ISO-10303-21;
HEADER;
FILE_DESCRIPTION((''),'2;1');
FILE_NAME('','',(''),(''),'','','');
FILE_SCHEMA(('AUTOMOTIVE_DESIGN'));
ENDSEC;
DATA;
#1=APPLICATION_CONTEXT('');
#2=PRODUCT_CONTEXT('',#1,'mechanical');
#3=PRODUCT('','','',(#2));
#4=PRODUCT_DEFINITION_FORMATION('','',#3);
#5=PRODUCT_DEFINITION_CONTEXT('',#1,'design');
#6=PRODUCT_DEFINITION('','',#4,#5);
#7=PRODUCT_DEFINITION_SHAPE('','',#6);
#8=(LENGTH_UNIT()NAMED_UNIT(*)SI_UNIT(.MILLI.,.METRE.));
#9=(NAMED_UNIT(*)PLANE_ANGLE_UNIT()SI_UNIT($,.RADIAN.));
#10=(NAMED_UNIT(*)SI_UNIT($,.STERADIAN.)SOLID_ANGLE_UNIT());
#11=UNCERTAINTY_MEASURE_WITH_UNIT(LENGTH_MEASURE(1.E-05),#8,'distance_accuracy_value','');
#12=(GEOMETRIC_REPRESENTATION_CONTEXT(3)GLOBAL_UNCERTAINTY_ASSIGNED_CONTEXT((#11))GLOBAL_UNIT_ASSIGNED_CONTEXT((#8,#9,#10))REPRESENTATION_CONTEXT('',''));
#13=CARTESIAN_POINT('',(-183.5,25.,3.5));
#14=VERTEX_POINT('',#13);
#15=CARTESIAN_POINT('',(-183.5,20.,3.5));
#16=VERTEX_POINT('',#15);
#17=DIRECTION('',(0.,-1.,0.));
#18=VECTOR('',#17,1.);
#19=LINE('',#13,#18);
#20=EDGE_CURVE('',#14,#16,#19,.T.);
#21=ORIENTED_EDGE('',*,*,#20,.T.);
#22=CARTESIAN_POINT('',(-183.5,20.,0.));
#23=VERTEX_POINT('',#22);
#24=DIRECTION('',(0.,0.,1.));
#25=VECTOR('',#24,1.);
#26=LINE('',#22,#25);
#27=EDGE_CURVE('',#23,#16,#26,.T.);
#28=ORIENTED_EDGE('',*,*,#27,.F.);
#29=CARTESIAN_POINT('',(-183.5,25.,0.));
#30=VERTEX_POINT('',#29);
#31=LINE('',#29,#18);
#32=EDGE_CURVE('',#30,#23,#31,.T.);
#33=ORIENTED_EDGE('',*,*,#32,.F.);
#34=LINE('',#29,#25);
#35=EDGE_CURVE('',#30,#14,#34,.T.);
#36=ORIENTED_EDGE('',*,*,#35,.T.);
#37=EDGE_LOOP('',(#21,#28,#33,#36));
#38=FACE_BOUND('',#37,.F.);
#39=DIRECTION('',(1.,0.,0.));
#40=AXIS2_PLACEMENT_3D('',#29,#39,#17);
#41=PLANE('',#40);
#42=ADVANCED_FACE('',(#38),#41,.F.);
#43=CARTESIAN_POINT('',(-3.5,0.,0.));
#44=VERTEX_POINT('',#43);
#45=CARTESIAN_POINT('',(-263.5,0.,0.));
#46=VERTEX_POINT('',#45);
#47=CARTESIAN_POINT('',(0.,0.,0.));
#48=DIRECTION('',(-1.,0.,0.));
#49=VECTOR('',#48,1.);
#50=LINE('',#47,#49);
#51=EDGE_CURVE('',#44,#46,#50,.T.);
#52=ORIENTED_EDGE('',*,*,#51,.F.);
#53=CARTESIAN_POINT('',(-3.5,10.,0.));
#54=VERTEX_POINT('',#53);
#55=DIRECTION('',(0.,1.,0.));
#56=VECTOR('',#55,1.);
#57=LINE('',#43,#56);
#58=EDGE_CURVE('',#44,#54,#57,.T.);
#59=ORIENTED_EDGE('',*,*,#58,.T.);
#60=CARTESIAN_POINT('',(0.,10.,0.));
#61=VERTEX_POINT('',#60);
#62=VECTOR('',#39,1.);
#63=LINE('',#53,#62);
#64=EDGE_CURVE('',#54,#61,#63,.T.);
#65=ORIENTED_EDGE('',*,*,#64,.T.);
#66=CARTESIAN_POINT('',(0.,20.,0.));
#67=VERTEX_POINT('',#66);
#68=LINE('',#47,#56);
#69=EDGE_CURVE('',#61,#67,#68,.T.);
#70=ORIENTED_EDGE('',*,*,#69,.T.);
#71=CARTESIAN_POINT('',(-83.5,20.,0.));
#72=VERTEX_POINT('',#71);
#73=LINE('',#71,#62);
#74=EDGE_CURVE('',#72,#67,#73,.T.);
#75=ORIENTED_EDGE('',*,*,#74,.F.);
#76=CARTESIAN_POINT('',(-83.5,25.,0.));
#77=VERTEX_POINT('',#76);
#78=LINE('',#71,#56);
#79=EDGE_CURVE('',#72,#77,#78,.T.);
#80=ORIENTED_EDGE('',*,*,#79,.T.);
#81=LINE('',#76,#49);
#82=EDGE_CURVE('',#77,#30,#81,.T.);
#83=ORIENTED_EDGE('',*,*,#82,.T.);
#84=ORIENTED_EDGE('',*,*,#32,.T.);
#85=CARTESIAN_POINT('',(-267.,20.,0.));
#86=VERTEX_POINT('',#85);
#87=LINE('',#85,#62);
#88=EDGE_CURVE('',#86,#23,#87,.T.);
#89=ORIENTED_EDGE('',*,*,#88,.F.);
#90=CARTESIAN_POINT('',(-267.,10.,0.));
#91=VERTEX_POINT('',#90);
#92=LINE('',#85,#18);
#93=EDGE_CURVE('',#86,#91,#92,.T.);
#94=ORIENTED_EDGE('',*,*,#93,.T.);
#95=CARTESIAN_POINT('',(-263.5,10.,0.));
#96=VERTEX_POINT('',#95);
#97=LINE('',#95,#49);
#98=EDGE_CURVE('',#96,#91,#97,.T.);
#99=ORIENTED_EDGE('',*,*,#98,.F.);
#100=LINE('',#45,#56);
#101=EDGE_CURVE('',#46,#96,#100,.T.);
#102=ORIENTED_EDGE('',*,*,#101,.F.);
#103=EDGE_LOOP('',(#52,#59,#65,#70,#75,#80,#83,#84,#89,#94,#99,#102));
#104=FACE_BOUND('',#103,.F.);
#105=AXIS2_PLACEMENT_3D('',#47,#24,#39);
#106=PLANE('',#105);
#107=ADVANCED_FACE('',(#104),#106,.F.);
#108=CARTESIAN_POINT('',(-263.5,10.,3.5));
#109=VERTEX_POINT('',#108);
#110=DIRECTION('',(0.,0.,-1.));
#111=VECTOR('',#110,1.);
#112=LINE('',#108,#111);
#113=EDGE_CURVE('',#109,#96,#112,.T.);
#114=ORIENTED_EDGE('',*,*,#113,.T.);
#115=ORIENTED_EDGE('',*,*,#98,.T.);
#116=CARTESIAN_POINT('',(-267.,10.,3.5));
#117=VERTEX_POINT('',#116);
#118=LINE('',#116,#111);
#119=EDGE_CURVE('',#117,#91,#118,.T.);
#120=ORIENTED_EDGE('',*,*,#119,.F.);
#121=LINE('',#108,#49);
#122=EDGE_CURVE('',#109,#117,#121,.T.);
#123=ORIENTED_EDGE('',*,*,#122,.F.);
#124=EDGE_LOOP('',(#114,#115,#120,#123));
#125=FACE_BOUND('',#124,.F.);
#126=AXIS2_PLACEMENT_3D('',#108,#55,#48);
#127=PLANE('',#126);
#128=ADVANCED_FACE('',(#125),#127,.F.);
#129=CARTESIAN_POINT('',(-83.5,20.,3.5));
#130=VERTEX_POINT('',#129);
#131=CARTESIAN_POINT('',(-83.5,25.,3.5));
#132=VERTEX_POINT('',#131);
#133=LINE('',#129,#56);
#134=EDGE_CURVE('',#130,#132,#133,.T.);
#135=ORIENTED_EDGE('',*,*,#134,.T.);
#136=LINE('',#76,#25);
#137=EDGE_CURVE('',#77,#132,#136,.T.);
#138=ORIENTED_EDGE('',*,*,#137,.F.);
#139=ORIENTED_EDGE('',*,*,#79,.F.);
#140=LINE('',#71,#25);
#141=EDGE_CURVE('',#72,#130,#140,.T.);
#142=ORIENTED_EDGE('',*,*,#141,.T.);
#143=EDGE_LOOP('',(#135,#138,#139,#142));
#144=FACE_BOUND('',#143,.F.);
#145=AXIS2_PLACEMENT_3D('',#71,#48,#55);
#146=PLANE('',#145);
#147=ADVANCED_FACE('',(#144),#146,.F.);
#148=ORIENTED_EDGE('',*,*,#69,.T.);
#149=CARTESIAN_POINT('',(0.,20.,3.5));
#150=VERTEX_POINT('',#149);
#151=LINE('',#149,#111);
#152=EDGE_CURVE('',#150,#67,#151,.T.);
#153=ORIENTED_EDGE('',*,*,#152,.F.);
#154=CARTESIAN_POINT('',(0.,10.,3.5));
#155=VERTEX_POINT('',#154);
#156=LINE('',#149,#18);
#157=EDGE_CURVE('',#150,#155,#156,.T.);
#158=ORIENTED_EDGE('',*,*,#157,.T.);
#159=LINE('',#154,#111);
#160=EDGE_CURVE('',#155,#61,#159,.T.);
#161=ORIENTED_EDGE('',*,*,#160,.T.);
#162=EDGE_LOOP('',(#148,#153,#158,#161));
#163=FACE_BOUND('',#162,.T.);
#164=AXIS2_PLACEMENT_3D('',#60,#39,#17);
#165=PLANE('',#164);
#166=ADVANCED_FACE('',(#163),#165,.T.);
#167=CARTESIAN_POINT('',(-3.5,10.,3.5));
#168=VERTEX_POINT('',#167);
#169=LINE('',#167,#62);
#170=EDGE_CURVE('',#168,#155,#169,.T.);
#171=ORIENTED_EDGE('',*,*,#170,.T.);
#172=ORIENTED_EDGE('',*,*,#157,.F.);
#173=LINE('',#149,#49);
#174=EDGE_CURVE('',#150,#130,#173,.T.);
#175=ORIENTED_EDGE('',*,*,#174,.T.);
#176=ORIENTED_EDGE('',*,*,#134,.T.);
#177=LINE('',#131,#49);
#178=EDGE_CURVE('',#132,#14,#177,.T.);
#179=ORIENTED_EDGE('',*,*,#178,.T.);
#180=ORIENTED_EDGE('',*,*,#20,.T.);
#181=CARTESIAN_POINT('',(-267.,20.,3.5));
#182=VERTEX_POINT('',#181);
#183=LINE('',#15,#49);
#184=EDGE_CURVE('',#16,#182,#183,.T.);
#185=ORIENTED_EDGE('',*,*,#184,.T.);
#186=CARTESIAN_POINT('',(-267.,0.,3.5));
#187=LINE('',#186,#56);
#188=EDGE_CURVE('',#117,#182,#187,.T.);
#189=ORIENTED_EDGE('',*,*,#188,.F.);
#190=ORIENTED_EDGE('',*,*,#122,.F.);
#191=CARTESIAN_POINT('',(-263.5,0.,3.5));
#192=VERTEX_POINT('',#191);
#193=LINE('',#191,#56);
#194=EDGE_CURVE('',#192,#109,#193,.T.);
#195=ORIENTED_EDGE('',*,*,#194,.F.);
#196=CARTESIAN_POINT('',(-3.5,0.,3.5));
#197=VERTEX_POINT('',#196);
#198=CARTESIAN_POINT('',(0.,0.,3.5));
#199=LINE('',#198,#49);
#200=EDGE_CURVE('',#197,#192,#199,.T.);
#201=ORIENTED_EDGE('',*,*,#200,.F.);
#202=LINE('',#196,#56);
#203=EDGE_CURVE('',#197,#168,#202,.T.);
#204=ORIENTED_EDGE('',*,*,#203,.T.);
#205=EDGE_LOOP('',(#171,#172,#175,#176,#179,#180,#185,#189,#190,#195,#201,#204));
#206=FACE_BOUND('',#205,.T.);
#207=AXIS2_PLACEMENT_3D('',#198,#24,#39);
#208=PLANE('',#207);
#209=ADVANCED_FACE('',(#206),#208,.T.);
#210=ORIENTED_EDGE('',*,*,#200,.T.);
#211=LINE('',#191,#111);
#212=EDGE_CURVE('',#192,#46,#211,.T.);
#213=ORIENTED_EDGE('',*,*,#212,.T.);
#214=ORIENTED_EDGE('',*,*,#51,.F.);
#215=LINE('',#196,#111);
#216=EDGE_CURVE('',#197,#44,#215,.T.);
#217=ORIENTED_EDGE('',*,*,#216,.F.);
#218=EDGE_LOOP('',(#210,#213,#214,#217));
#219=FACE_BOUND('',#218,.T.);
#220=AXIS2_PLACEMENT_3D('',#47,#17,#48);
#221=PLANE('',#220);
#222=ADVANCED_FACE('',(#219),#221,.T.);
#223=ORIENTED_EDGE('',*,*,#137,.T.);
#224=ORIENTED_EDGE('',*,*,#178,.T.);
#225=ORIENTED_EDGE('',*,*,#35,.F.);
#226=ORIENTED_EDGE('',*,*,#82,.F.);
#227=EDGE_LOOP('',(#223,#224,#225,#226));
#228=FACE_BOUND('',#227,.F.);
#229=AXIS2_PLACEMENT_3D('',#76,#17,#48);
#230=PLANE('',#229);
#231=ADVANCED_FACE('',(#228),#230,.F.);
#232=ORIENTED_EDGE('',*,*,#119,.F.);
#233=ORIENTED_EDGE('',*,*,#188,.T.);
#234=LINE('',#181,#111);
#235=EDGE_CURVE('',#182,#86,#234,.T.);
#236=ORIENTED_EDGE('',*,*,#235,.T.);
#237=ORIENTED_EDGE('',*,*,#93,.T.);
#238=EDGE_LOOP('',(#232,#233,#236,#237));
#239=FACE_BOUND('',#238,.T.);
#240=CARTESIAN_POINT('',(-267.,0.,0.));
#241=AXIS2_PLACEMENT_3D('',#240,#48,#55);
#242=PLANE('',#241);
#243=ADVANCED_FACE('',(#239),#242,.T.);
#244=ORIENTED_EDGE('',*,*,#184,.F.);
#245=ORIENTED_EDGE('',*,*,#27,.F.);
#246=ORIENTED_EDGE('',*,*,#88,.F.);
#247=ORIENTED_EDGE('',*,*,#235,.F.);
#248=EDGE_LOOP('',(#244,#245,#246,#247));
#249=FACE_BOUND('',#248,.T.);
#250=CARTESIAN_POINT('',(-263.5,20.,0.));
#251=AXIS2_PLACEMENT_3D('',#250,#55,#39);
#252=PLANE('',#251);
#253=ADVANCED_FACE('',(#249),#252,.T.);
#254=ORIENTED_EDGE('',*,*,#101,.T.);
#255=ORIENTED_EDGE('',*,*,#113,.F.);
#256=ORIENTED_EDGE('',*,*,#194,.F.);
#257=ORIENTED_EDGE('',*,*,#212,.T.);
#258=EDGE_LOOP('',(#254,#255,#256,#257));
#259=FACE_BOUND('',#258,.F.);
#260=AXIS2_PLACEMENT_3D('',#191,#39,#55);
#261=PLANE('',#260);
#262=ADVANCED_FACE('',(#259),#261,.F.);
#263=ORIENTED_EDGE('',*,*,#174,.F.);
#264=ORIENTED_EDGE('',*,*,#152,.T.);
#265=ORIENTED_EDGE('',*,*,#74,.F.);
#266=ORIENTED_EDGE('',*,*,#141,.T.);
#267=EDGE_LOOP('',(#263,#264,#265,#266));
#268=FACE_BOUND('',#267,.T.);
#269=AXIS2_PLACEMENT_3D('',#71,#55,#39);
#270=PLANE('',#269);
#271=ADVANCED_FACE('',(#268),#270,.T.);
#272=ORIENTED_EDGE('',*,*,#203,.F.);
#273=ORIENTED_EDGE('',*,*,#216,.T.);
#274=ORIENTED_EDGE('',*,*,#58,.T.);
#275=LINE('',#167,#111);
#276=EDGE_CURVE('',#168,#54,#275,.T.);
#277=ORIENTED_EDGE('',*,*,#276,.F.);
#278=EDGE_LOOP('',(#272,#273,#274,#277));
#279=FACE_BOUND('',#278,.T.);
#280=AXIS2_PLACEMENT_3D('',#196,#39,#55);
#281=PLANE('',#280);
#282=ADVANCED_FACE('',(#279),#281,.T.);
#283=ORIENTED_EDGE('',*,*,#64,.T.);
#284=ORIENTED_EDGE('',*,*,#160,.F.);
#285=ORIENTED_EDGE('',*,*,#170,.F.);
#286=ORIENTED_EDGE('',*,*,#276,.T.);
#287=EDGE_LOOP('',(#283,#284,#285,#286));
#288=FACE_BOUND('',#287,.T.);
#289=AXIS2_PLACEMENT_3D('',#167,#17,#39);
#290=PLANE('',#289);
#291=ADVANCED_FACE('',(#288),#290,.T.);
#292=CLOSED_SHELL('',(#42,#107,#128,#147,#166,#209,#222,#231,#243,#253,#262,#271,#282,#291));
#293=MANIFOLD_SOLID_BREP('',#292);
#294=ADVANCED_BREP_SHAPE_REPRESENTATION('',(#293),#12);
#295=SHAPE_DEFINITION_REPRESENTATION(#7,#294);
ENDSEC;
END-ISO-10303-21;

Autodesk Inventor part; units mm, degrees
ref_plane "YZ Plane" through (0, 0, 0) normal (1, 0, 0) x (0, 1, 0)
ref_plane "XZ Plane" through (0, 0, 0) normal (0, 1, 0) x (-1, 0, 0)
ref_plane "XY Plane" through (0, 0, 0) normal (0, 0, 1) x (1, 0, 0)
sketch "Sketch1" plane through (0, 0, 0) normal (0, 0, 1) x (1, 0, 0)
  line L0 (0, 0) -> (-267, 0)
  line L1 (-267, 0) -> (-267, 10)
  line L2 (-267, 10) -> (-263.5, 10)
  line L3 (-263.5, 10) -> (-263.5, 20)
  line L4 (-3.5, 20) -> (-3.5, 10)
  line L5 (-3.5, 10) -> (0, 10)
  line L6 (0, 10) -> (0, 0)
  line L7 (-83.5, 20) -> (-83.5, 25)
  line L8 (-83.5, 25) -> (-183.5, 25)
  line L9 (-183.5, 25) -> (-183.5, 20)
  line L10 (-263.5, 20) -> (-183.5, 20)
  line L11 (-83.5, 20) -> (-3.5, 20)
  dimension "d19" = 267
  dimension "d20" = 10
  dimension "d22" = 10
  dimension "d23" = 260
  dimension "d24" = 100
  dimension "d25" = 5
  dimension "d26" = 80
extrude "Extrusion1" add sketch "Sketch1" along normal blind 3.5
sketch "Sketch2" plane through (0, 0, 3.5) normal (0, 0, 1) x (1, 0, 0)
  line L0 (-267, 0) -> (0, 0) construction
  line L1 (0, 0) -> (0, 10) construction
  line L2 (0, 10) -> (-3.5, 10) projected
  line L3 (-3.5, 10) -> (-3.5, 20) projected
  line L4 (-3.5, 20) -> (-83.5, 20) construction
  line L5 (-83.5, 20) -> (-83.5, 25) construction
  line L6 (-83.5, 25) -> (-183.5, 25) construction
  line L7 (-183.5, 25) -> (-183.5, 20) construction
  line L8 (-183.5, 20) -> (-263.5, 20) construction
  line L9 (-263.5, 20) -> (-263.5, 10) projected
  line L10 (-263.5, 10) -> (-267, 10) projected
  line L11 (-267, 10) -> (-267, 0) construction
  line L12 (-263.5, 10) -> (-267, 10)
  line L13 (-267, 10) -> (-267, 20)
  line L14 (-267, 20) -> (-263.5, 20)
  line L15 (-263.5, 20) -> (-263.5, 10)
  line L16 (-3.5, 10) -> (0, 10)
  line L17 (0, 10) -> (0, 20)
  line L18 (0, 20) -> (-3.5, 20)
  line L19 (-3.5, 20) -> (-3.5, 10)
extrude "Extrusion2" add sketch "Sketch2" against normal blind 3.5
sketch "Sketch3" plane through (0, 0, 3.5) normal (0, 0, 1) x (1, 0, 0)
  line L0 (-267, 0) -> (0, 0) construction
  line L1 (0, 0) -> (0, 20) construction
  line L2 (0, 20) -> (-83.5, 20) construction
  line L3 (-83.5, 20) -> (-83.5, 25) construction
  line L4 (-83.5, 25) -> (-183.5, 25) construction
  line L5 (-183.5, 25) -> (-183.5, 20) construction
  line L6 (-183.5, 20) -> (-267, 20) construction
  line L7 (-267, 0) -> (-267, 20) construction
  line L8 (-267, 0) -> (-267, 20) projected
  line L9 (-267, 0) -> (-263.5, 0)
  line L10 (-263.5, 0) -> (-263.5, 10)
  line L11 (-263.5, 10) -> (-267, 10)
  line L12 (-267, 10) -> (-267, 0)
  line L13 (0, 0) -> (-3.5, 0)
  line L14 (-3.5, 0) -> (-3.5, 10)
  line L15 (-3.5, 10) -> (0, 10)
  line L16 (0, 10) -> (0, 0)
  dimension "d29" = 3.5
  dimension "d30" = 10
  dimension "d31" = 3.5
  dimension "d32" = 10
extrude "Extrusion3" cut sketch "Sketch3" against normal blind 3.5
properties part number "Refuerzo_Base"
